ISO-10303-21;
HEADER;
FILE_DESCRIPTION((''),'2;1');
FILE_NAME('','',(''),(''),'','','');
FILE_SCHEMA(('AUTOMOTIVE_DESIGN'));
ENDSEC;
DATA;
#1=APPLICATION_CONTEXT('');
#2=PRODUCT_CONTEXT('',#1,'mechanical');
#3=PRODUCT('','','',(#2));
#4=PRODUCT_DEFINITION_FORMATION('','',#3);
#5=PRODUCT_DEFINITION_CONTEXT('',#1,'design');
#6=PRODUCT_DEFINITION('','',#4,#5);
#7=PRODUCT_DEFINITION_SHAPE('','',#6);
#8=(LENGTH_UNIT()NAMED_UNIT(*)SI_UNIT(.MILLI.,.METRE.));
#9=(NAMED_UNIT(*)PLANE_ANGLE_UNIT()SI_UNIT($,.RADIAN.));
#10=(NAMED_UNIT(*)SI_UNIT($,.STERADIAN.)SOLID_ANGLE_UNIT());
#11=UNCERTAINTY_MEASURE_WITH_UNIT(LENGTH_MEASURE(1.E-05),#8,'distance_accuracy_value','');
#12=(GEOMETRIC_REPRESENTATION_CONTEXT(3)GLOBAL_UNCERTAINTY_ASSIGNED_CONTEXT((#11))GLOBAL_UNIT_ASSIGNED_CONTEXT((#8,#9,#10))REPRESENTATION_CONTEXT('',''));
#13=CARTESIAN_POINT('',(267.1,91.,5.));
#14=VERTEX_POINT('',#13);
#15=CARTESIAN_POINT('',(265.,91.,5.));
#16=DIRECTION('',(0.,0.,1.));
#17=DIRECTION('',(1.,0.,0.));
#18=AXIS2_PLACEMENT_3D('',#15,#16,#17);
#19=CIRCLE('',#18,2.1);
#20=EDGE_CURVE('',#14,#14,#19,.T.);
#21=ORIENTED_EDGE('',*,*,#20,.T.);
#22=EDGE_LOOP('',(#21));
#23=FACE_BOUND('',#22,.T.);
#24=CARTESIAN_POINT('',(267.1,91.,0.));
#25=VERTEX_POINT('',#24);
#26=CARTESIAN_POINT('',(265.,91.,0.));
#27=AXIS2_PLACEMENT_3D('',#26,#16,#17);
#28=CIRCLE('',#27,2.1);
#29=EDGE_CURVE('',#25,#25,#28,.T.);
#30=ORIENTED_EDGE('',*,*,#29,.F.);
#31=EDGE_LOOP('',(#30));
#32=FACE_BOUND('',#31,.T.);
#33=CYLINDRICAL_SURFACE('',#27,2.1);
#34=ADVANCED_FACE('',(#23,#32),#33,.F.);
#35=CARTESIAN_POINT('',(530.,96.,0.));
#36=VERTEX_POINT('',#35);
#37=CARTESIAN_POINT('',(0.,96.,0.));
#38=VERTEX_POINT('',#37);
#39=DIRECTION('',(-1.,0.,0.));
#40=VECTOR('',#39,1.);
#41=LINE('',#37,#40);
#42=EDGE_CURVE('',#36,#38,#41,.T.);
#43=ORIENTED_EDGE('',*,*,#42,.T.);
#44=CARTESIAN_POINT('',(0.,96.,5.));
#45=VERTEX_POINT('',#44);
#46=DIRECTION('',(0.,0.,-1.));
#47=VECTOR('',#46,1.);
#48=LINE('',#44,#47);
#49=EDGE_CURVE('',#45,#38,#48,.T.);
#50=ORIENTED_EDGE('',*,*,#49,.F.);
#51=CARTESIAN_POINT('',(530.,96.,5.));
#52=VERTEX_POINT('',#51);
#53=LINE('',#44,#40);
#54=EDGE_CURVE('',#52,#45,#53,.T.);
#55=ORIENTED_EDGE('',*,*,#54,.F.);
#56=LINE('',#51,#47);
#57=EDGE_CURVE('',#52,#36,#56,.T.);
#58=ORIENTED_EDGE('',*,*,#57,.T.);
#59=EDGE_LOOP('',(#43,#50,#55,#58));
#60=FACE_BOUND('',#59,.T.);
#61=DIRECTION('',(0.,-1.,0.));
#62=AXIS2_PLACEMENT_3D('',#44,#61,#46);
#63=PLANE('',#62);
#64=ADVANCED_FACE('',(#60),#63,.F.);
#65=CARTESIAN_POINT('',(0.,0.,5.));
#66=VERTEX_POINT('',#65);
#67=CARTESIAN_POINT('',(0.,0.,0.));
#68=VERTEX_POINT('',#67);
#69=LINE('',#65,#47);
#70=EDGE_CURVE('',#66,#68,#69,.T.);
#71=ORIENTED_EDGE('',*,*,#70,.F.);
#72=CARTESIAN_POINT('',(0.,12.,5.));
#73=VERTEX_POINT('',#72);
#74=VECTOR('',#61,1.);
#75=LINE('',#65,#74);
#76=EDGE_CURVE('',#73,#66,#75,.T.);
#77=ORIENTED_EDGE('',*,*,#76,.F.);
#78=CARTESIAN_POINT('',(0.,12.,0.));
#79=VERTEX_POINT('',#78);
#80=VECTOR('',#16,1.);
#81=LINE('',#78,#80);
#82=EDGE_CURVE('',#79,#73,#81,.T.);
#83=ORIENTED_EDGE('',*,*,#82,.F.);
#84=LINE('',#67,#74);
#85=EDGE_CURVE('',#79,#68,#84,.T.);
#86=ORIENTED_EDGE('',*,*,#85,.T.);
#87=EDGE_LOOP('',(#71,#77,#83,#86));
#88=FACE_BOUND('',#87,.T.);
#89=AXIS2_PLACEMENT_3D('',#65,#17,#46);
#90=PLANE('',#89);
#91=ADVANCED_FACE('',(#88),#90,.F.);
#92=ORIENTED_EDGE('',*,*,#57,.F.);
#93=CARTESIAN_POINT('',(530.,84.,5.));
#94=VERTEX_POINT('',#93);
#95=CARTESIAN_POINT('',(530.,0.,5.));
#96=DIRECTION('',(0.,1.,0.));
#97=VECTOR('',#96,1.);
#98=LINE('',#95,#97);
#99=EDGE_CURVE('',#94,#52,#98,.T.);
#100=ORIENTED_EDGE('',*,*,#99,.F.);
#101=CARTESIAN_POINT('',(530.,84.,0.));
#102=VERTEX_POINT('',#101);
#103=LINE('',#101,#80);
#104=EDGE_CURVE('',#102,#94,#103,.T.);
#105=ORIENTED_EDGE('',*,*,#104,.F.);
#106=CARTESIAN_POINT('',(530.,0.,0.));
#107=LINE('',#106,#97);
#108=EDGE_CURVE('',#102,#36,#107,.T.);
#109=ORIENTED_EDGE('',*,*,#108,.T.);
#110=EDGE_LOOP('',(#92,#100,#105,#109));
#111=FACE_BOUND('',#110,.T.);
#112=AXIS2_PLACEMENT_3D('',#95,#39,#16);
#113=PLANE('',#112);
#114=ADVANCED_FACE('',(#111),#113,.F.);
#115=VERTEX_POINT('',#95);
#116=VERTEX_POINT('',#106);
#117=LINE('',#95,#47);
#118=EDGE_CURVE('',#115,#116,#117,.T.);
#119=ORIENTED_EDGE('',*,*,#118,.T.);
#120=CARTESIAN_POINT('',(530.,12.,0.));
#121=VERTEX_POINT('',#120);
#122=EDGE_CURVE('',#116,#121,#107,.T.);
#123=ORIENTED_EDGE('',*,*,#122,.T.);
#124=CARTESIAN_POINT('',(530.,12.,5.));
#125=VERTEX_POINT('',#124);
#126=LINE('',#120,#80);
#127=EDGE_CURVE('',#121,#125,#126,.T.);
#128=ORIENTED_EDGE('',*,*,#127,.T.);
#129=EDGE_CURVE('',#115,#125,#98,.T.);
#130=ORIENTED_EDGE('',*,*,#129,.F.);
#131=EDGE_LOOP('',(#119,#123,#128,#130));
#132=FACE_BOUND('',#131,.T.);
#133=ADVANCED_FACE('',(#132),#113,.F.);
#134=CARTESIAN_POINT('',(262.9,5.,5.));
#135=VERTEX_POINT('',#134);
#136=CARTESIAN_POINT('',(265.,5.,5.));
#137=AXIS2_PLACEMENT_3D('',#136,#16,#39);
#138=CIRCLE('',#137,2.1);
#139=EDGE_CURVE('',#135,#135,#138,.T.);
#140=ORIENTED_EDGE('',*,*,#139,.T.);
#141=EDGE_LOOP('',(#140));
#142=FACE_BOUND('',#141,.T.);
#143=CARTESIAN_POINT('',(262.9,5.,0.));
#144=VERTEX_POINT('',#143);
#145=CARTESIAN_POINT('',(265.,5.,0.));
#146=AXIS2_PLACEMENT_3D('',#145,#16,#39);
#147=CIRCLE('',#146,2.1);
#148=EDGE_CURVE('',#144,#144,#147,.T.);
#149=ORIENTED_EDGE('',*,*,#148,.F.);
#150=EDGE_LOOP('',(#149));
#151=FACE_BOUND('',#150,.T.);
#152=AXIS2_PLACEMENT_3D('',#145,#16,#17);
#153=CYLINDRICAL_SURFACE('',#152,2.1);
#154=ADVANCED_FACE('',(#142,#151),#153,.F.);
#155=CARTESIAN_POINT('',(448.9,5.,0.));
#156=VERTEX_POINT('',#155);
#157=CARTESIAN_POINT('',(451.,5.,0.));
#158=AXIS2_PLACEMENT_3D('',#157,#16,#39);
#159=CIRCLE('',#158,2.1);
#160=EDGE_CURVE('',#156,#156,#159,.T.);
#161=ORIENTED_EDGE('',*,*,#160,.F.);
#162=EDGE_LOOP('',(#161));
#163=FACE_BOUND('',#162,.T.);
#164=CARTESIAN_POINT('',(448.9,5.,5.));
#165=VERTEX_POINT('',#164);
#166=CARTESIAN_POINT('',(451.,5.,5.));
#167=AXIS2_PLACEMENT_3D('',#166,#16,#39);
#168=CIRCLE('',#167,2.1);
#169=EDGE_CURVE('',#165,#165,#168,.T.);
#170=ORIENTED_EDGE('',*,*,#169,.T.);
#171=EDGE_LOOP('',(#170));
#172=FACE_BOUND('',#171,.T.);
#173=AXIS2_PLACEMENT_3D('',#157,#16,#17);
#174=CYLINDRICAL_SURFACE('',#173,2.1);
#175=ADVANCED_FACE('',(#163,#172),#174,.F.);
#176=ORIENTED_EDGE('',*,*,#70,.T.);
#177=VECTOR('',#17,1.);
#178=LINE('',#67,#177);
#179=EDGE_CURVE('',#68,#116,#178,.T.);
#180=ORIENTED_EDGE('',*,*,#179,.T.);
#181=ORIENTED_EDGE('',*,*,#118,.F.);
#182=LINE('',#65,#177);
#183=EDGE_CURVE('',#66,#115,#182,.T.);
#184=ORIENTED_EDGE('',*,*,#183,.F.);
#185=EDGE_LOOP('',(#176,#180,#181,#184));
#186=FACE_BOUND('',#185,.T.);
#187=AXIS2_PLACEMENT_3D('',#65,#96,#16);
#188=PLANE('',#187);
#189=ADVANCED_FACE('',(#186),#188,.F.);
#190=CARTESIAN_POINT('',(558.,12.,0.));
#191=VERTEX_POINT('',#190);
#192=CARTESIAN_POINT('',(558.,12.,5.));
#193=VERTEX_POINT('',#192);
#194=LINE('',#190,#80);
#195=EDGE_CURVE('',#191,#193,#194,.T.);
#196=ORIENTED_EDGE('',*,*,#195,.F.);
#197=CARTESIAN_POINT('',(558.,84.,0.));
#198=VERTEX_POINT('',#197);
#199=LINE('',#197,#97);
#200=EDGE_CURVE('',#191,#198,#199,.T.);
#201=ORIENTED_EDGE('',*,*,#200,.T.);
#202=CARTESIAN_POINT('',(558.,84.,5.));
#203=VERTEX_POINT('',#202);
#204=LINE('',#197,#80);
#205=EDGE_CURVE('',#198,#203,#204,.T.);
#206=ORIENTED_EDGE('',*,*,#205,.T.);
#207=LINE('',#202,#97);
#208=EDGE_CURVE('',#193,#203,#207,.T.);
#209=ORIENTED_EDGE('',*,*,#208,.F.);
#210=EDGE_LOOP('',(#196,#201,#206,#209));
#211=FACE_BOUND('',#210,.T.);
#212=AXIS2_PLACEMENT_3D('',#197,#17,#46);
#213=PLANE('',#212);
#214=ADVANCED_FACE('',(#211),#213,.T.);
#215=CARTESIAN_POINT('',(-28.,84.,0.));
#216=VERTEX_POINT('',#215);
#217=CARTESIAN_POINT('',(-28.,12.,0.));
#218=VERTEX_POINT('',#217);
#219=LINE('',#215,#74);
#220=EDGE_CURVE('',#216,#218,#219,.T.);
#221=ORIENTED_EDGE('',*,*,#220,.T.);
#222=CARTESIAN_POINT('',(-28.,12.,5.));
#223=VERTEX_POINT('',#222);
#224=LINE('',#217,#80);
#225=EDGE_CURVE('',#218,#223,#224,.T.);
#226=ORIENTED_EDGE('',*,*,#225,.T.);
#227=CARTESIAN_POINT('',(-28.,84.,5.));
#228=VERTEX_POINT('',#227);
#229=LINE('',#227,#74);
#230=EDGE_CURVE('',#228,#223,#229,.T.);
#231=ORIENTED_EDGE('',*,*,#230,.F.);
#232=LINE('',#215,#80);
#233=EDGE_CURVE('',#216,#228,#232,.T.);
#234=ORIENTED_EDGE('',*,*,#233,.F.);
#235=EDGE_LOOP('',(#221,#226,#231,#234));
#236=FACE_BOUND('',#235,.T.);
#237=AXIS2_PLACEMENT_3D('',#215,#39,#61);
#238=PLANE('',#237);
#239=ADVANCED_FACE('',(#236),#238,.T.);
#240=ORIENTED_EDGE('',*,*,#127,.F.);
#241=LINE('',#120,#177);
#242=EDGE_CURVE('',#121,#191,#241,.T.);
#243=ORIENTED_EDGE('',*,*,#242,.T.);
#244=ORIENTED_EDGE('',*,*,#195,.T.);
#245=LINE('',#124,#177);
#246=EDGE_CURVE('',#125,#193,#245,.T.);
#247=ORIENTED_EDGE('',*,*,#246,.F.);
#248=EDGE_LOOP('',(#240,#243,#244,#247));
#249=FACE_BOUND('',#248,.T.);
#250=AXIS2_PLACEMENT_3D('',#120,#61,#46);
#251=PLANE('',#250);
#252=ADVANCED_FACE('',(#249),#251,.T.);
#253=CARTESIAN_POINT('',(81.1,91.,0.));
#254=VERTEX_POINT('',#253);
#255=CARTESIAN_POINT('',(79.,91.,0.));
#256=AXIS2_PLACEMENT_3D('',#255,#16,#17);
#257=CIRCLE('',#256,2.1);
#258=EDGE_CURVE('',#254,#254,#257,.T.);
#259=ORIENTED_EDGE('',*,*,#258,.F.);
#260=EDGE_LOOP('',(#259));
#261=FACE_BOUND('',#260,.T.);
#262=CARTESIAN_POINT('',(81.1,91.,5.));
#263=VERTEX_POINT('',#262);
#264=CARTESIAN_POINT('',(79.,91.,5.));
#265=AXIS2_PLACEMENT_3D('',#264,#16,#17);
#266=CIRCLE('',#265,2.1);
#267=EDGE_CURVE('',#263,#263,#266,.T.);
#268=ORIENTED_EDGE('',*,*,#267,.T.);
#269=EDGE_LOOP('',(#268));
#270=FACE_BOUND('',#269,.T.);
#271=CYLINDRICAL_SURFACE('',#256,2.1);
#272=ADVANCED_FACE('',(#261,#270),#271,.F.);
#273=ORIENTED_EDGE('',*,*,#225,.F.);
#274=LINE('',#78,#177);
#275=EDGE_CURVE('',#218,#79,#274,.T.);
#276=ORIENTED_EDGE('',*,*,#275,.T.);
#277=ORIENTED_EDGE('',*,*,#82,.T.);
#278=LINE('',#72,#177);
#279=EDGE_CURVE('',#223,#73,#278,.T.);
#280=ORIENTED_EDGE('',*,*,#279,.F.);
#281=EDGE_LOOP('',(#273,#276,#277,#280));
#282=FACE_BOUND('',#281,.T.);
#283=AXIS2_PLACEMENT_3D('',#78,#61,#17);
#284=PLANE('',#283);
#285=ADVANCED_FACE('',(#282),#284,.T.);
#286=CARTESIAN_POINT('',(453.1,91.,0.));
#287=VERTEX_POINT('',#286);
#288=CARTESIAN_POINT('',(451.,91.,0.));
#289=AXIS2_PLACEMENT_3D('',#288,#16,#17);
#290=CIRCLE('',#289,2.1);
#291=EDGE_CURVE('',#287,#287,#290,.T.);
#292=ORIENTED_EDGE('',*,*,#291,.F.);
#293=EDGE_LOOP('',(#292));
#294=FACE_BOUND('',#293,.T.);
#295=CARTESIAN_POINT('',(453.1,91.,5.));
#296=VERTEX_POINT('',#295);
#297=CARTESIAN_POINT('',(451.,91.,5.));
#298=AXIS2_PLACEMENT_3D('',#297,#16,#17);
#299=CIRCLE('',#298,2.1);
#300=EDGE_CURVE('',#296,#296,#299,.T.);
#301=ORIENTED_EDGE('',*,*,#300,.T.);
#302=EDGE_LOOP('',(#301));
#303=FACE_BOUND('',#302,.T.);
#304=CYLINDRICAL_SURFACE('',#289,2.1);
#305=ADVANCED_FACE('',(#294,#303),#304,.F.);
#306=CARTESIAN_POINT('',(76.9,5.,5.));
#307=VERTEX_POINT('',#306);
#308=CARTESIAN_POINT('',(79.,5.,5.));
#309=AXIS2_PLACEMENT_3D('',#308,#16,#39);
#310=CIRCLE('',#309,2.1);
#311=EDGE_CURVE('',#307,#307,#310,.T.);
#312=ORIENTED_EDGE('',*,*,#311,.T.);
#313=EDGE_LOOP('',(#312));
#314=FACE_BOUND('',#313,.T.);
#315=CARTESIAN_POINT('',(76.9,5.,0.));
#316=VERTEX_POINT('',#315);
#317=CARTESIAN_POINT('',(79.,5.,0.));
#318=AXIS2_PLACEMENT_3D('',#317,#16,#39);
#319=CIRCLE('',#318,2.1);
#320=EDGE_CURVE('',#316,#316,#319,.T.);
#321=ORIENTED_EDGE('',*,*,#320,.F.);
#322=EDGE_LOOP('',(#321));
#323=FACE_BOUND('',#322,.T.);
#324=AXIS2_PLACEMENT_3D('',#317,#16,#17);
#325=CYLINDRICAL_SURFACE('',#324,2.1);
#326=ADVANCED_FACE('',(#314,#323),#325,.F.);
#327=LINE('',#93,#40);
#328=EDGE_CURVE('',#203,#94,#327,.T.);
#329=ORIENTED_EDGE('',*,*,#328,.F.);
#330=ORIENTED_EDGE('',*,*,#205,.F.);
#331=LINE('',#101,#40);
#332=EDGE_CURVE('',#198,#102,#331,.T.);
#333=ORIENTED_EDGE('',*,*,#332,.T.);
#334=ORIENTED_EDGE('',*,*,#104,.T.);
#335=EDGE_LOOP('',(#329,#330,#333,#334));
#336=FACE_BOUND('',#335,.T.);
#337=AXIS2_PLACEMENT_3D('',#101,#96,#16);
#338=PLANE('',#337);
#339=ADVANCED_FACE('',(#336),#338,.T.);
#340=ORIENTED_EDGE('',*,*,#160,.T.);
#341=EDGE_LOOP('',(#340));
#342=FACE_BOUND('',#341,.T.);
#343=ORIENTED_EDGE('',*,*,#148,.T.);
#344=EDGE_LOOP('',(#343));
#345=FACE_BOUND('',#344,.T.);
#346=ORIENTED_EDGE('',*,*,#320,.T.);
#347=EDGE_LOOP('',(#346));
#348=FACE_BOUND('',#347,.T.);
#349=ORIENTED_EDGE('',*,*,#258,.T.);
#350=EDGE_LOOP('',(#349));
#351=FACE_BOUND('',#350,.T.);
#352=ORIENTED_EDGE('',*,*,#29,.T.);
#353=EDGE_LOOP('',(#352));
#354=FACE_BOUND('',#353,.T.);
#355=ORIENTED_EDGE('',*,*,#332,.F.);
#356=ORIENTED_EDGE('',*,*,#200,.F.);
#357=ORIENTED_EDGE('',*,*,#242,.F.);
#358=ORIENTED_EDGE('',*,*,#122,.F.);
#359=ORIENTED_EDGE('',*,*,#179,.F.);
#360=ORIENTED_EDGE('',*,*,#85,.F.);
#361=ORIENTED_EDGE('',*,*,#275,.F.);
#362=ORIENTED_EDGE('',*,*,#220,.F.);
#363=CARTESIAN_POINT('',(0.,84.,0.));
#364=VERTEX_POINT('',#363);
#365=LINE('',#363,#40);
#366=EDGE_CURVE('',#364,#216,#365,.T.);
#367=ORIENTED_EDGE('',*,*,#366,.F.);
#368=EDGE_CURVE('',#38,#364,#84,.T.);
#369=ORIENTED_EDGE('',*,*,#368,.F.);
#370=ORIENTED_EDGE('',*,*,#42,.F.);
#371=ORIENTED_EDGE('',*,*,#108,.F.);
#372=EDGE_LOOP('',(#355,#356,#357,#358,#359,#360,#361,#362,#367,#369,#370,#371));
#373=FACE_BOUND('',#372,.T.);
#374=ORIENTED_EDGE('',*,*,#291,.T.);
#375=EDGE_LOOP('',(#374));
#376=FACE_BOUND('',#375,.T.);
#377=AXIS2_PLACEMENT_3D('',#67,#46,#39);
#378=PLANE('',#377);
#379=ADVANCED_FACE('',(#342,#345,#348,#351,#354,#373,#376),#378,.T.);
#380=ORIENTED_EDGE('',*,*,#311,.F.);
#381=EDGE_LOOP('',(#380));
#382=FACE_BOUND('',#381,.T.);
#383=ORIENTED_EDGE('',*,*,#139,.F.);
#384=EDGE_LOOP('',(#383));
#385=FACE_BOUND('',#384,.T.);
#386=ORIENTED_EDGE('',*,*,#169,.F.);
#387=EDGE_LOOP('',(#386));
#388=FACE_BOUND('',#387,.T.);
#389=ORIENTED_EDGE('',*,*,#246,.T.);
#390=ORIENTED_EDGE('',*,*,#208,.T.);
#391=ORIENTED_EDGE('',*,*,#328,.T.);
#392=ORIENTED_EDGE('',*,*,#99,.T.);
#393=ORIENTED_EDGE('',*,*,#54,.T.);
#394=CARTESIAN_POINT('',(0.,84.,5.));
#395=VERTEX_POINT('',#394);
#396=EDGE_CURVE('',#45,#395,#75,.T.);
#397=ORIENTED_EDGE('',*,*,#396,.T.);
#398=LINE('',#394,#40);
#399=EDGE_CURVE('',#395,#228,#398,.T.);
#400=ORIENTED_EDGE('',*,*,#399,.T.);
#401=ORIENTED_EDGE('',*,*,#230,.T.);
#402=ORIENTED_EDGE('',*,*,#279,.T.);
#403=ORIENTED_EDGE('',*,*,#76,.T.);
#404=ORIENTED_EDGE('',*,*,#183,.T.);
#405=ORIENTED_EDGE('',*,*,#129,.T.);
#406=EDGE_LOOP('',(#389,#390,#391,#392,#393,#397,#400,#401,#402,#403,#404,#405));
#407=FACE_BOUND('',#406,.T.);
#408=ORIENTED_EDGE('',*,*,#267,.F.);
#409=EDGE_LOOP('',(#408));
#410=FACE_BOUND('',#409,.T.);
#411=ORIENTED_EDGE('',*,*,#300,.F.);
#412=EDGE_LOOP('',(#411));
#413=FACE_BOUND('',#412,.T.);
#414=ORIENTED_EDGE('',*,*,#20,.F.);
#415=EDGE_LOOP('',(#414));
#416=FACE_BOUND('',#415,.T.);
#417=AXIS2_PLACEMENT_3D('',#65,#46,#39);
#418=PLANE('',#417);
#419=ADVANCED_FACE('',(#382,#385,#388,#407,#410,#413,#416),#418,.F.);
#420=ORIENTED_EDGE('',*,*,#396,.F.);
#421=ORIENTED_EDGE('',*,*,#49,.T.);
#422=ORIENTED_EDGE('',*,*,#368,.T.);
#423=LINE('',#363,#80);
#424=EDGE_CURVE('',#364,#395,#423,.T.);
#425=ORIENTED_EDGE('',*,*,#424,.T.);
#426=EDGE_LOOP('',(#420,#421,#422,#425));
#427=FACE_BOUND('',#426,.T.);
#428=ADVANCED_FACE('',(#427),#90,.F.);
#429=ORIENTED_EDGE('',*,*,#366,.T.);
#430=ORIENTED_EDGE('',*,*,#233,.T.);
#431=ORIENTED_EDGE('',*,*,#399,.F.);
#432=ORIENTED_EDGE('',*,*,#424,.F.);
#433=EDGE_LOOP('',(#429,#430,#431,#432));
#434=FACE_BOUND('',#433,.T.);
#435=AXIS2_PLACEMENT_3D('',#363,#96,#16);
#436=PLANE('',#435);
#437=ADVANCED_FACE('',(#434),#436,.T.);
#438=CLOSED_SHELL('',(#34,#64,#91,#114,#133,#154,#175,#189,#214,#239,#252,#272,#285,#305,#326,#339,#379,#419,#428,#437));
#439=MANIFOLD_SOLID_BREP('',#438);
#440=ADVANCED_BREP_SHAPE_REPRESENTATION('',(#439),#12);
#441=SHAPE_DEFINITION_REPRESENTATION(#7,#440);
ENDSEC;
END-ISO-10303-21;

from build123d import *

# Parameters (mm, degrees)
SKETCH1_W           = 530
SKETCH1_H           = 96
BOSS_EXTRUDE1_DEPTH = 5
SKETCH2_R           = 2.1
CUT_EXTRUDE1_DEPTH  = 5
SKETCH3_W           = 28
SKETCH3_H           = 72
BOSS_EXTRUDE2_DEPTH = 5


with BuildPart() as part:
    # Sketch1 → Boss-Extrude1 (new body)
    with BuildSketch(Plane.XY):
        with Locations((265, 48)):
            Rectangle(SKETCH1_W, SKETCH1_H)
    extrude(amount=BOSS_EXTRUDE1_DEPTH)

    # Sketch2 → Cut-Extrude1 (cut)
    with BuildSketch(Plane.XY.offset(5)):
        with Locations((79, 91)):
            Circle(SKETCH2_R)
        with Locations((265, 91)):
            Circle(SKETCH2_R)
        with Locations((451, 91)):
            Circle(SKETCH2_R)
        with Locations(Location((451, 5, 0), (0, 0, 180))):
            Circle(SKETCH2_R)
        with Locations(Location((265, 5, 0), (0, 0, 180))):
            Circle(SKETCH2_R)
        with Locations(Location((79, 5, 0), (0, 0, 180))):
            Circle(SKETCH2_R)
    extrude(amount=-CUT_EXTRUDE1_DEPTH, mode=Mode.SUBTRACT)

    # Sketch3 → Boss-Extrude2 (add)
    with BuildSketch(Plane.XY.offset(5)):
        with Locations((544, 48)):
            Rectangle(SKETCH3_W, SKETCH3_H)
        with Locations((-14, 48)):
            Rectangle(SKETCH3_W, SKETCH3_H)
    extrude(amount=-BOSS_EXTRUDE2_DEPTH)


solid = part.part
